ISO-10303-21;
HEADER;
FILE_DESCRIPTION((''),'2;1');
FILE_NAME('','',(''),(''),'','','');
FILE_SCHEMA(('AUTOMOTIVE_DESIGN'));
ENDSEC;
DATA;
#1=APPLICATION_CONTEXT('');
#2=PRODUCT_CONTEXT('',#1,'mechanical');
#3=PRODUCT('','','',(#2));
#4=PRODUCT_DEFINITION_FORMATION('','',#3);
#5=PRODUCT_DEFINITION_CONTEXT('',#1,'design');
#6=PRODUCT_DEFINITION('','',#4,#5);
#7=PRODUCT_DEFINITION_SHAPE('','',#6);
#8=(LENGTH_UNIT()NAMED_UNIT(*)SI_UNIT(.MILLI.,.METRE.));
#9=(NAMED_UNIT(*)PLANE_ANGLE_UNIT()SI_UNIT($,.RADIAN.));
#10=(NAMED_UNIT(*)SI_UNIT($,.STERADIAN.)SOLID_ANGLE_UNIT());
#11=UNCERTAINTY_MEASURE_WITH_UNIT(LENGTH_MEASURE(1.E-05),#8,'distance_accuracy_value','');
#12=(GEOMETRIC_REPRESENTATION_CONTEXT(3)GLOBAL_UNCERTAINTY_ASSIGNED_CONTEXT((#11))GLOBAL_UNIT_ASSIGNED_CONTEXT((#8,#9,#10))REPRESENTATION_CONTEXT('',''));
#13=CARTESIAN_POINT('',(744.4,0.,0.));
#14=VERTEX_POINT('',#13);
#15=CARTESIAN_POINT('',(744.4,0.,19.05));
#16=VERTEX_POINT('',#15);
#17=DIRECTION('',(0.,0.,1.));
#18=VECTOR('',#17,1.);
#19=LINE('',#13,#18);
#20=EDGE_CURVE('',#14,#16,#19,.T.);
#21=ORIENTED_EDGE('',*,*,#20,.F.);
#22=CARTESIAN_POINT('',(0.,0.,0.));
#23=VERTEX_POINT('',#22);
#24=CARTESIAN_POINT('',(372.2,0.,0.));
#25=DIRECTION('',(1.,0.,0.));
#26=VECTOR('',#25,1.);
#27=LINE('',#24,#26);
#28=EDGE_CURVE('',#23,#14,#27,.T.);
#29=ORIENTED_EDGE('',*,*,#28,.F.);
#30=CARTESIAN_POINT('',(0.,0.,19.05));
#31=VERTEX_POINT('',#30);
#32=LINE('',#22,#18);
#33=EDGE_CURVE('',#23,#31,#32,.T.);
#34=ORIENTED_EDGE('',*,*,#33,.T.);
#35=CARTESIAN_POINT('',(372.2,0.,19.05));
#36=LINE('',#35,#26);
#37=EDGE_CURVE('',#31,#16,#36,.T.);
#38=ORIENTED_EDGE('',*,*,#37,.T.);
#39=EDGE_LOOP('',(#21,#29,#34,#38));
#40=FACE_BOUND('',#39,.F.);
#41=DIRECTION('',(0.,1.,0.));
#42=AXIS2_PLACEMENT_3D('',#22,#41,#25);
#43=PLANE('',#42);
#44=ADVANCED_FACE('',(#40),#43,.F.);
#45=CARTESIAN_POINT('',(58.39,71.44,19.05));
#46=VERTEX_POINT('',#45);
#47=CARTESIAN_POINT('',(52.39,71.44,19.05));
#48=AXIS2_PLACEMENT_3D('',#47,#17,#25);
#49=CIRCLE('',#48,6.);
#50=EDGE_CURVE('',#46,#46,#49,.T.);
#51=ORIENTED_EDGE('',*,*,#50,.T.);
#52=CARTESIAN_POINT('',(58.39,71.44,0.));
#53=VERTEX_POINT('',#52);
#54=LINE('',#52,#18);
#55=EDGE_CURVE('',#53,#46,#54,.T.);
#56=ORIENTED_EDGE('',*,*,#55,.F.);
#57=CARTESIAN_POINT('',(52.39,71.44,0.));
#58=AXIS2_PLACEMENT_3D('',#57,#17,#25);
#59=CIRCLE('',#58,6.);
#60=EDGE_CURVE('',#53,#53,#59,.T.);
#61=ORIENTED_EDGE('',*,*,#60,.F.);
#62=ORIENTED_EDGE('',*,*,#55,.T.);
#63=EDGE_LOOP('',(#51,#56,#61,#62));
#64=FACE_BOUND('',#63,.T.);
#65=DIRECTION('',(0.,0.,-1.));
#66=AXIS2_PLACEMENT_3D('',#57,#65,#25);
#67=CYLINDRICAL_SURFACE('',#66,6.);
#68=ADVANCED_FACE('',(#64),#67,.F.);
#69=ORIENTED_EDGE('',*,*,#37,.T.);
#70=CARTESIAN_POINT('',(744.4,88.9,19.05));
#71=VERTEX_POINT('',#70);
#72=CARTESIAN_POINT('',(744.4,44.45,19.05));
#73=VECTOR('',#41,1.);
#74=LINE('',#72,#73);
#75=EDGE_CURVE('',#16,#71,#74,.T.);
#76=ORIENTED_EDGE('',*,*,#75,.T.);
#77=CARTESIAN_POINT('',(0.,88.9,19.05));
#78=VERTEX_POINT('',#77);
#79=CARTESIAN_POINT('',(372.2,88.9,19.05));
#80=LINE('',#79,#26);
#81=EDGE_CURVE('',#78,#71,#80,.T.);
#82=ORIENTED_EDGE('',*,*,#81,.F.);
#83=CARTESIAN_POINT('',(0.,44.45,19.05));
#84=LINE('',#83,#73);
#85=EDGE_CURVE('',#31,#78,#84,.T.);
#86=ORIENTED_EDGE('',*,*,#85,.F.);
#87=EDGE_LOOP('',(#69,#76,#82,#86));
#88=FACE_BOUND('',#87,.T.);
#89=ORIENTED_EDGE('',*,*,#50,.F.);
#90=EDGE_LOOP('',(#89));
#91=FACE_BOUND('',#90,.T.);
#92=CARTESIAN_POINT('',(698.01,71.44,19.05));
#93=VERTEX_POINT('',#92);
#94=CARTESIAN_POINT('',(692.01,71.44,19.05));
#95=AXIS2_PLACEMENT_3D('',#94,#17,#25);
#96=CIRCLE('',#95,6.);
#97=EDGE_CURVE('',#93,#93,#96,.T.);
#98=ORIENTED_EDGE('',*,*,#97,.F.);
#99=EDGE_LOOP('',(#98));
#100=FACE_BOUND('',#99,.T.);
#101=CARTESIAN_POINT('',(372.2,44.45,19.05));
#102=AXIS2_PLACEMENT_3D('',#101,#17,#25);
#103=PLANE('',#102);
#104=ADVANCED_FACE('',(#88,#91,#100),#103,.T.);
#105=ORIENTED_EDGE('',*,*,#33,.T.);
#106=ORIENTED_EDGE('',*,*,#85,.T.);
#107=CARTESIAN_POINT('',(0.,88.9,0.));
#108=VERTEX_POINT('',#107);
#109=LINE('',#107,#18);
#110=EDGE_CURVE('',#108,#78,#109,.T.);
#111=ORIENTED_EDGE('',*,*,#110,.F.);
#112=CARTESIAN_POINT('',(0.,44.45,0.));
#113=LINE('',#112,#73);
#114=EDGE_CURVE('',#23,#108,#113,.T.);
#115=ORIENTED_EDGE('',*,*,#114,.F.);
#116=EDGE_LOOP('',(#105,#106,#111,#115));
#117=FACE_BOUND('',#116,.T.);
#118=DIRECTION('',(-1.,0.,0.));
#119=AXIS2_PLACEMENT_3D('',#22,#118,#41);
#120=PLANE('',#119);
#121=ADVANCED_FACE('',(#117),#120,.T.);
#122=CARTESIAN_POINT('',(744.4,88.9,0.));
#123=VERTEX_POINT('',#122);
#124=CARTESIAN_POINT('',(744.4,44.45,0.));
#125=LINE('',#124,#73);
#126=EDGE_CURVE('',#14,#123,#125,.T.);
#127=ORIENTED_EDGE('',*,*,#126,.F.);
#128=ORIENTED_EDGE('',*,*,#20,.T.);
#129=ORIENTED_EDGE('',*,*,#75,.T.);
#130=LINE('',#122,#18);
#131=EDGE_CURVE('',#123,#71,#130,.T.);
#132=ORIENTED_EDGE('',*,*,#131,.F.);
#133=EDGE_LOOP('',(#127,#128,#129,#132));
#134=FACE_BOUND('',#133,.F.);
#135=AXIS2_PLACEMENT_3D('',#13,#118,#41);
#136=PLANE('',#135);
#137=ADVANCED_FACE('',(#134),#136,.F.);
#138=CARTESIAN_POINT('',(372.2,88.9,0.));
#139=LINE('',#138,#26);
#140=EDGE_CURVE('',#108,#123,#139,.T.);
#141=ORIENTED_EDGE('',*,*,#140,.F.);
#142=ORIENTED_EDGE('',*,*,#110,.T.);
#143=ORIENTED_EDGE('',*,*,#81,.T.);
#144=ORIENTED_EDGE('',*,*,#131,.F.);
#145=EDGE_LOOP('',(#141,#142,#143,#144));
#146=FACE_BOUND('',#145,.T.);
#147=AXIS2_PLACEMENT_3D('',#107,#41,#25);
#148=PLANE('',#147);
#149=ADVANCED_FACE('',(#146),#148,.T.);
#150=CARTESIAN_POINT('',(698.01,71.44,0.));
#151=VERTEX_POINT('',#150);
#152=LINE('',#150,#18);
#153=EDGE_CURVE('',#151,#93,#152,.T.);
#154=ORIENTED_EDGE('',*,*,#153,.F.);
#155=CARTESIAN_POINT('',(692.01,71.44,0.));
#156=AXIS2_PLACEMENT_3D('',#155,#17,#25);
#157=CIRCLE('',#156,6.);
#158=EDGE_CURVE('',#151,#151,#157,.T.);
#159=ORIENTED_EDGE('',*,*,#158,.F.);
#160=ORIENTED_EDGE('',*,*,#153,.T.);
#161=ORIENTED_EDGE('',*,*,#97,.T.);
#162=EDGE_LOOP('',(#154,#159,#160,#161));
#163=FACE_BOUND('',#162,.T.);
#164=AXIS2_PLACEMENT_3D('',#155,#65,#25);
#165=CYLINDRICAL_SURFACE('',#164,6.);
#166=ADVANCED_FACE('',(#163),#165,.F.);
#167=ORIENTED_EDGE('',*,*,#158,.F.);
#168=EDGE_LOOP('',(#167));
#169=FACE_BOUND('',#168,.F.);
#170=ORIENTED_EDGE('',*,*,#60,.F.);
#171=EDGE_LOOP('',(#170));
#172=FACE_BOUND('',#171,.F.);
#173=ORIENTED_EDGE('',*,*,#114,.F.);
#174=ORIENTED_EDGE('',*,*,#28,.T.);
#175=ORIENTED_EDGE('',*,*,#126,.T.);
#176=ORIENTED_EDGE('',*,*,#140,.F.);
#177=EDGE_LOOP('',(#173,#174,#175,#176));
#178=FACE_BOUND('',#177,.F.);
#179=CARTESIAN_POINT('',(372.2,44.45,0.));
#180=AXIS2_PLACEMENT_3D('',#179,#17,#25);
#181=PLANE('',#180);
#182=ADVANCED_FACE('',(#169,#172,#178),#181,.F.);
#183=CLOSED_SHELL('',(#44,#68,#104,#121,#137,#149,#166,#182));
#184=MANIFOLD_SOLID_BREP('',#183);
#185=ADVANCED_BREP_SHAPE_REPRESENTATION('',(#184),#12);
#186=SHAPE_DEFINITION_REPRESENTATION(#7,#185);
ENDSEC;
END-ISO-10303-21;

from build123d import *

# Parameters (mm, degrees)
SKETCH_W  = 744.4
SKETCH_H  = 88.9
SKETCH_R  = 6
PAD_DEPTH = 19.05


with BuildPart() as part:
    # Sketch → Pad (new body)
    with BuildSketch(Plane.XY):
        with Locations((372.2, 44.45)):
            Rectangle(SKETCH_W, SKETCH_H)
        with Locations((52.39, 71.44)):
            Circle(SKETCH_R, mode=Mode.SUBTRACT)
        with Locations((692.01, 71.44)):
            Circle(SKETCH_R, mode=Mode.SUBTRACT)
    extrude(amount=PAD_DEPTH)


solid = part.part
